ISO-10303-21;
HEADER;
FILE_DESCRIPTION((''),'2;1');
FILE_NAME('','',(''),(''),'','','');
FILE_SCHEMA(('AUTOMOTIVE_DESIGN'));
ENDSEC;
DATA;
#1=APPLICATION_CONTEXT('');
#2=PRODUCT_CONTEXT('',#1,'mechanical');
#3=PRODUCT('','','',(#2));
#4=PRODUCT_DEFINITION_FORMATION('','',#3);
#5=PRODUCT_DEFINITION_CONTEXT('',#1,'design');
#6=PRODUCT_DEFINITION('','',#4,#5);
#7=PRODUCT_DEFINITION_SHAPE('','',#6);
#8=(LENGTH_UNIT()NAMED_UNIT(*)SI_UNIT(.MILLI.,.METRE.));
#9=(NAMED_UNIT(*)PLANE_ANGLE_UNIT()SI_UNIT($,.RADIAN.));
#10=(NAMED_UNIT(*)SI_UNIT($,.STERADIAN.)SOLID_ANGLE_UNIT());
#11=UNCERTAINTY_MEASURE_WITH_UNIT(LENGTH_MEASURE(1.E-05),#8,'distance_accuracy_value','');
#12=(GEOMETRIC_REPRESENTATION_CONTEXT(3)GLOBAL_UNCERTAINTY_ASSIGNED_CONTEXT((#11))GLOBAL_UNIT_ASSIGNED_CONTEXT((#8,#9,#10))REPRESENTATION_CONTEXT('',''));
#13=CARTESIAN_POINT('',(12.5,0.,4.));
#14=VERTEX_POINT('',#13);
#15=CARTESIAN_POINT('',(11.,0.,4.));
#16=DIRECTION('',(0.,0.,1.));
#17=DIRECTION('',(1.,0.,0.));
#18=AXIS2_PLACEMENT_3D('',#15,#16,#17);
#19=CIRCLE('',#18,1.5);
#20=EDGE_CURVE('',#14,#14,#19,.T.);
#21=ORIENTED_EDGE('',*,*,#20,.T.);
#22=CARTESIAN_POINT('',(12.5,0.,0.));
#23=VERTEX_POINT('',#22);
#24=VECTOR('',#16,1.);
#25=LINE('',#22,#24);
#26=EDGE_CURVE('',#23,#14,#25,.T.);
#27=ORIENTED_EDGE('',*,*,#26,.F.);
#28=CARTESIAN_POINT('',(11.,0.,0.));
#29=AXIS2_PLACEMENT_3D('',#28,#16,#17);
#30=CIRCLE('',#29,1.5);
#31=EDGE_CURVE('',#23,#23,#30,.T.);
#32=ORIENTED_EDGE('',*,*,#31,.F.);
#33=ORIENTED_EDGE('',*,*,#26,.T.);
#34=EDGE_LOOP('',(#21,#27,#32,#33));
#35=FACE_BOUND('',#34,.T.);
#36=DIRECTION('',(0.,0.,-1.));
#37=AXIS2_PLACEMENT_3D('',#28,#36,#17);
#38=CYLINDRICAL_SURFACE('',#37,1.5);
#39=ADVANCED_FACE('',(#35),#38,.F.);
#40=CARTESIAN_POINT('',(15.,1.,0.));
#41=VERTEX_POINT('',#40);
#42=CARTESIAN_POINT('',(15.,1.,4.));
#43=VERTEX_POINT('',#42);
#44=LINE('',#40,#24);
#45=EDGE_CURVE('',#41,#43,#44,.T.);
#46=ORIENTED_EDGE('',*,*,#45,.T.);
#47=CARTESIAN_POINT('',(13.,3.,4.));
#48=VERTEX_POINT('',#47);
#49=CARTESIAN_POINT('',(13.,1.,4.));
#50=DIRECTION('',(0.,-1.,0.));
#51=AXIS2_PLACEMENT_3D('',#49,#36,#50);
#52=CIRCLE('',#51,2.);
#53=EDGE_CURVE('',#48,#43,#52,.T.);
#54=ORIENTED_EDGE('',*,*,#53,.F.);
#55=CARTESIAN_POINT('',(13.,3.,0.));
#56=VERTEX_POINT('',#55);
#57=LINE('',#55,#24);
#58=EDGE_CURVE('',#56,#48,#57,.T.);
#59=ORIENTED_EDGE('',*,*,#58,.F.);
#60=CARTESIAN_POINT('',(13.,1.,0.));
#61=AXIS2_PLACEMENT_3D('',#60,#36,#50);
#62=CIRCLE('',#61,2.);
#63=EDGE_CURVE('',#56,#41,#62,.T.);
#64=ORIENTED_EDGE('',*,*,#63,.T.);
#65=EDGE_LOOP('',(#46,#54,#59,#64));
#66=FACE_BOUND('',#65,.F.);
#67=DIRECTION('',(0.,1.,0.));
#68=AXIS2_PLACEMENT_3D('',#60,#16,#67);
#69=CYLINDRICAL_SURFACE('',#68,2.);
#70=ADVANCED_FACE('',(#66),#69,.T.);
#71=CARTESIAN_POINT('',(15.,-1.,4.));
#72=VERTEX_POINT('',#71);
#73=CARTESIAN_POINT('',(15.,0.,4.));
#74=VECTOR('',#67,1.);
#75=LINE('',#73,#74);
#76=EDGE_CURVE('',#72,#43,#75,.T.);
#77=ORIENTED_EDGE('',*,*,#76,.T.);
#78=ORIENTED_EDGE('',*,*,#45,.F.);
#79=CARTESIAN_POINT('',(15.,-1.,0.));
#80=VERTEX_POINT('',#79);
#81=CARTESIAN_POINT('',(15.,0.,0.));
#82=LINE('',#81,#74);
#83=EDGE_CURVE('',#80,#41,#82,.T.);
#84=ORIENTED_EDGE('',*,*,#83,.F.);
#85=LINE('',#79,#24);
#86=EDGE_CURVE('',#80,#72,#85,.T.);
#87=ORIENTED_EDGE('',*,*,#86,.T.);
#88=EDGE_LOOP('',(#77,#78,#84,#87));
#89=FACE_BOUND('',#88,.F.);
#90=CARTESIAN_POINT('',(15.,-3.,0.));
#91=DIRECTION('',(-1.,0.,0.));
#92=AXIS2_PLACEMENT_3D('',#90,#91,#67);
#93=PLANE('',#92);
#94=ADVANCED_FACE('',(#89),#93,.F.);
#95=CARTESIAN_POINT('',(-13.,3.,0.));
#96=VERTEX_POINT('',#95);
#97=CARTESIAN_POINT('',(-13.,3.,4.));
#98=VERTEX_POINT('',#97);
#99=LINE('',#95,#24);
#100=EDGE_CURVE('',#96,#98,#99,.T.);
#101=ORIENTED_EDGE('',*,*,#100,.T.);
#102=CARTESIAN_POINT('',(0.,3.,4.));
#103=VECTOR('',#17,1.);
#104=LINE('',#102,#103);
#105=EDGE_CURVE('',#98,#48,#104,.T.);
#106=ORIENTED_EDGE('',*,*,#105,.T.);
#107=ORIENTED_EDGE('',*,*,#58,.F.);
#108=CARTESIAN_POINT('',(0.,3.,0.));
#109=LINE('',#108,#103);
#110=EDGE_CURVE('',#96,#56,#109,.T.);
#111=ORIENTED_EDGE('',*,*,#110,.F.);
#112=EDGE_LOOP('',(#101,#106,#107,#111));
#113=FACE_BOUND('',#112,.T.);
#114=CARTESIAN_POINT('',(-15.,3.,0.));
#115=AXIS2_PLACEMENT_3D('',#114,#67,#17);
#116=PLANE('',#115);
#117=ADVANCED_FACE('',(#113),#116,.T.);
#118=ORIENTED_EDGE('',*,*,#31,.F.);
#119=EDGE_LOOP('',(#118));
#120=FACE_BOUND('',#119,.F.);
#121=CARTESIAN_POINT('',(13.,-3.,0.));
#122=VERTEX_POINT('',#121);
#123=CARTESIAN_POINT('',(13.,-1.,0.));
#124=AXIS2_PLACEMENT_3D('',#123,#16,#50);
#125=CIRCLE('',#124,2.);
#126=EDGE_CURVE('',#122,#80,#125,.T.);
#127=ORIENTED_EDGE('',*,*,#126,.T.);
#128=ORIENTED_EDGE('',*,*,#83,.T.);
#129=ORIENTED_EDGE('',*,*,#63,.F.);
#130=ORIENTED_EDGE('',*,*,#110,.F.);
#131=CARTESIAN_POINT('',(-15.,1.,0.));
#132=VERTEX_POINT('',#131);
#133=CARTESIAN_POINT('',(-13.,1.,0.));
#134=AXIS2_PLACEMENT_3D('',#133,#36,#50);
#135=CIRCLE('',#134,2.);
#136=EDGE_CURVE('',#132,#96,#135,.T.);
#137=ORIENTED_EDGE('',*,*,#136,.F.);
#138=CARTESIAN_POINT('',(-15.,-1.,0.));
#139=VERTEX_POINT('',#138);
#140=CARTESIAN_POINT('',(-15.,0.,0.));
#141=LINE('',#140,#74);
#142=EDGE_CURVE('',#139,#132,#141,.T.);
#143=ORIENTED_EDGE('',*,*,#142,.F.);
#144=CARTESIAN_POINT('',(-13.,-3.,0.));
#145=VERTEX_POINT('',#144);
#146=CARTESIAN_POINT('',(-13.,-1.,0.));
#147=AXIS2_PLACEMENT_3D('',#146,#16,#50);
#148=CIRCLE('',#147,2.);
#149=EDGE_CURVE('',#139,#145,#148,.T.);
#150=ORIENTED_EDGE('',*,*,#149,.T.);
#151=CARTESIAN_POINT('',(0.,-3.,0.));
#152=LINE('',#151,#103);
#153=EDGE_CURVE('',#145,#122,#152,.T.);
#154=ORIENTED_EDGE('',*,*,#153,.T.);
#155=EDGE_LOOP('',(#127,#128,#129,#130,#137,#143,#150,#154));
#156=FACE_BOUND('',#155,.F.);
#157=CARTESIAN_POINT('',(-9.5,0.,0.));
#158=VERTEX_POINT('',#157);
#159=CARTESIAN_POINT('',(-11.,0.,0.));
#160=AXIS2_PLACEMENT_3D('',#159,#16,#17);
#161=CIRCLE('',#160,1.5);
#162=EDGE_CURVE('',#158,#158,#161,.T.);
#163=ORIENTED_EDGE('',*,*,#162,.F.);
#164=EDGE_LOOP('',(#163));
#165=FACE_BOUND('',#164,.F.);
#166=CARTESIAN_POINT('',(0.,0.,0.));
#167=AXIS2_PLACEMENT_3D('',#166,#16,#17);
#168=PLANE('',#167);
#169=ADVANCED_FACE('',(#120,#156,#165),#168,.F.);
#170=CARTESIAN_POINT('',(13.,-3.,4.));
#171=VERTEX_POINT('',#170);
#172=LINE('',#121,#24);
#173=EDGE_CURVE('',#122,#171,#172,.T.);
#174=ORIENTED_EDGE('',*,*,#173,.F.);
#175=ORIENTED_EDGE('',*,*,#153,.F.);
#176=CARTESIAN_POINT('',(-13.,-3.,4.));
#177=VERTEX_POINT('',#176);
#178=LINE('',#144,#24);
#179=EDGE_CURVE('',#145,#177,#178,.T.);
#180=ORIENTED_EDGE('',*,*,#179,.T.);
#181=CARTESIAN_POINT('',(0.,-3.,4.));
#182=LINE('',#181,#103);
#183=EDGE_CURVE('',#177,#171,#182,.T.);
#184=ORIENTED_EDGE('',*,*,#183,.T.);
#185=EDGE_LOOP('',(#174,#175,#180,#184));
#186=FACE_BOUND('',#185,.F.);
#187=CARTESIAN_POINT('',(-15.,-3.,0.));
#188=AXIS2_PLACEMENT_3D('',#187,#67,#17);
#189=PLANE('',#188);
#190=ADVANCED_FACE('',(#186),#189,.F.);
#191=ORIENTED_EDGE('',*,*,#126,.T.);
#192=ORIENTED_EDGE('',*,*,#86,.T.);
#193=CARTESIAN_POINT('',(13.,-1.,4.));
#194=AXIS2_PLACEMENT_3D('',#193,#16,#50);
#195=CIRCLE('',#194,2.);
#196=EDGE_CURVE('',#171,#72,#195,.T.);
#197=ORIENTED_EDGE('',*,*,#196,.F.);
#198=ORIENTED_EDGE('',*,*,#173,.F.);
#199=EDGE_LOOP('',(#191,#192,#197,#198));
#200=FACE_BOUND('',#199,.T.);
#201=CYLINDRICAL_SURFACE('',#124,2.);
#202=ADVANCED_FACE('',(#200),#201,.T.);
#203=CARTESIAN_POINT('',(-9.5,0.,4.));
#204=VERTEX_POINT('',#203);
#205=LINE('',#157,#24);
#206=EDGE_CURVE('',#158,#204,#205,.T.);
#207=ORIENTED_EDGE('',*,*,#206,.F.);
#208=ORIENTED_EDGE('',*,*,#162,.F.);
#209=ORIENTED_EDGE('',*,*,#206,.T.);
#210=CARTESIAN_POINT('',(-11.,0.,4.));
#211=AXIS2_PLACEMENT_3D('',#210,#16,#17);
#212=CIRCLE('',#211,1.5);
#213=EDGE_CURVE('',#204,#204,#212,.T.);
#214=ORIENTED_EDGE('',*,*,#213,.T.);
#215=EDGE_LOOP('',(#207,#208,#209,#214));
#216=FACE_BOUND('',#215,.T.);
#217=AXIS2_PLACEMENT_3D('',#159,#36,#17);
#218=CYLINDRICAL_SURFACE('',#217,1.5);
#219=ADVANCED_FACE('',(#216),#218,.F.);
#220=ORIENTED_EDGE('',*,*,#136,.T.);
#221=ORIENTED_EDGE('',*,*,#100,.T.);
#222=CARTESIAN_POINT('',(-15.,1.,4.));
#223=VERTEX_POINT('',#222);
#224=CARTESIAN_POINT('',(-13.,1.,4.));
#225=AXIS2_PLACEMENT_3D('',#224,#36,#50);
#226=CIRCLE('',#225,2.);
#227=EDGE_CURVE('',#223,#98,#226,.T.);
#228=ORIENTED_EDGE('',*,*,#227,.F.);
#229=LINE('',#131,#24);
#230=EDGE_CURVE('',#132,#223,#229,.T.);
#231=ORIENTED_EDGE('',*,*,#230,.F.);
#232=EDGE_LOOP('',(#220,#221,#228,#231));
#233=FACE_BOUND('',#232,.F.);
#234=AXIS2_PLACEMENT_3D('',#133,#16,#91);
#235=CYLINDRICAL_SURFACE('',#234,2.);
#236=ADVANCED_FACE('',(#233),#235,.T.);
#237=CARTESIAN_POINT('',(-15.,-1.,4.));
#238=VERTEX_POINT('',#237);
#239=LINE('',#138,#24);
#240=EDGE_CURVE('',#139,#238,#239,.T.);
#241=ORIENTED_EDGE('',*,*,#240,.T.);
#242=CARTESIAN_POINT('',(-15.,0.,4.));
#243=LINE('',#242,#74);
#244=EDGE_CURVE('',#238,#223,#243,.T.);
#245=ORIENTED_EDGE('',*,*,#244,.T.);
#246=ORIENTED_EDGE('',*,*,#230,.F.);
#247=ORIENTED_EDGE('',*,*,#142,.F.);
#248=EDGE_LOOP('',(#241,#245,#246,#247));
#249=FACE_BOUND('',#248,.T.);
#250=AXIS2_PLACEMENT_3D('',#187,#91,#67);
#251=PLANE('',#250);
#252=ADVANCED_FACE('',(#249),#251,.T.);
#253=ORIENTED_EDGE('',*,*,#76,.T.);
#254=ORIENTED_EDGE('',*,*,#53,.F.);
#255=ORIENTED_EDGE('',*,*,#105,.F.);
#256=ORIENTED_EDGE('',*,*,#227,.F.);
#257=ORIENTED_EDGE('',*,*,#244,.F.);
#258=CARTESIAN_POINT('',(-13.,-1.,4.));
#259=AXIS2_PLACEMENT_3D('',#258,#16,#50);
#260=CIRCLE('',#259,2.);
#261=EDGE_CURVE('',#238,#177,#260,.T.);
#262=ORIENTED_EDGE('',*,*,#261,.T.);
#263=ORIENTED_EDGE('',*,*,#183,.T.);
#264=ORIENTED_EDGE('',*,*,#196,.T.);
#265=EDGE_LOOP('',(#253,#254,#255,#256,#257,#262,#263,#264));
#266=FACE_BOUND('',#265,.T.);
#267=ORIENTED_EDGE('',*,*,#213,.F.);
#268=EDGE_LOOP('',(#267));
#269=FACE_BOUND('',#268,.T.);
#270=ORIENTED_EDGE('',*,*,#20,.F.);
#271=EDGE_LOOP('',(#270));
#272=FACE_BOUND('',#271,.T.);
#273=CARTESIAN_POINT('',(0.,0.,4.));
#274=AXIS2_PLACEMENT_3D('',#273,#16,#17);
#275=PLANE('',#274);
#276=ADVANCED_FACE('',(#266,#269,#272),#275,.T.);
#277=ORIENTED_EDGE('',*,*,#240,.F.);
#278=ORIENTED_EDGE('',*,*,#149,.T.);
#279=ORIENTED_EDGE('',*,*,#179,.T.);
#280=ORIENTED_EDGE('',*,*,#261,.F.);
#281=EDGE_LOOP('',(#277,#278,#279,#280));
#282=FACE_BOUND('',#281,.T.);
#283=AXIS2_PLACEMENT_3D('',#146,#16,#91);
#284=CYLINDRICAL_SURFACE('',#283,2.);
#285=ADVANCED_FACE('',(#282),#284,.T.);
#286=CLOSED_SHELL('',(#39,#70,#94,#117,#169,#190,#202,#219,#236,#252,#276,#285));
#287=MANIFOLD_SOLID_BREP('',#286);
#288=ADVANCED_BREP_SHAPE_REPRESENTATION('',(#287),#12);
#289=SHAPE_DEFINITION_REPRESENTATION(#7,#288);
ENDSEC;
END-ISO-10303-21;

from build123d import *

# Parameters (mm, degrees)
F0_W     = 30
F0_H     = 6
F0_R     = 1.5
F1_DEPTH = 4
F2_R     = 2


with BuildPart() as f1:
    # F0 (on Top) → F1 (new body)
    with BuildSketch(Plane.XY):
        Rectangle(F0_W, F0_H)
        with Locations((-11, 0)):
            Circle(F0_R, mode=Mode.SUBTRACT)
        with Locations((11, 0)):
            Circle(F0_R, mode=Mode.SUBTRACT)
    extrude(amount=F1_DEPTH)

    # F2
    f2_edges = [f1.edges().sort_by_distance(p)[0] for p in [
        (-15, 3, 2),
        (15, 3, 2),
        (15, -3, 2),
        (-15, -3, 2),
    ]]
    fillet(f2_edges, radius=F2_R)


solid = f1.part
